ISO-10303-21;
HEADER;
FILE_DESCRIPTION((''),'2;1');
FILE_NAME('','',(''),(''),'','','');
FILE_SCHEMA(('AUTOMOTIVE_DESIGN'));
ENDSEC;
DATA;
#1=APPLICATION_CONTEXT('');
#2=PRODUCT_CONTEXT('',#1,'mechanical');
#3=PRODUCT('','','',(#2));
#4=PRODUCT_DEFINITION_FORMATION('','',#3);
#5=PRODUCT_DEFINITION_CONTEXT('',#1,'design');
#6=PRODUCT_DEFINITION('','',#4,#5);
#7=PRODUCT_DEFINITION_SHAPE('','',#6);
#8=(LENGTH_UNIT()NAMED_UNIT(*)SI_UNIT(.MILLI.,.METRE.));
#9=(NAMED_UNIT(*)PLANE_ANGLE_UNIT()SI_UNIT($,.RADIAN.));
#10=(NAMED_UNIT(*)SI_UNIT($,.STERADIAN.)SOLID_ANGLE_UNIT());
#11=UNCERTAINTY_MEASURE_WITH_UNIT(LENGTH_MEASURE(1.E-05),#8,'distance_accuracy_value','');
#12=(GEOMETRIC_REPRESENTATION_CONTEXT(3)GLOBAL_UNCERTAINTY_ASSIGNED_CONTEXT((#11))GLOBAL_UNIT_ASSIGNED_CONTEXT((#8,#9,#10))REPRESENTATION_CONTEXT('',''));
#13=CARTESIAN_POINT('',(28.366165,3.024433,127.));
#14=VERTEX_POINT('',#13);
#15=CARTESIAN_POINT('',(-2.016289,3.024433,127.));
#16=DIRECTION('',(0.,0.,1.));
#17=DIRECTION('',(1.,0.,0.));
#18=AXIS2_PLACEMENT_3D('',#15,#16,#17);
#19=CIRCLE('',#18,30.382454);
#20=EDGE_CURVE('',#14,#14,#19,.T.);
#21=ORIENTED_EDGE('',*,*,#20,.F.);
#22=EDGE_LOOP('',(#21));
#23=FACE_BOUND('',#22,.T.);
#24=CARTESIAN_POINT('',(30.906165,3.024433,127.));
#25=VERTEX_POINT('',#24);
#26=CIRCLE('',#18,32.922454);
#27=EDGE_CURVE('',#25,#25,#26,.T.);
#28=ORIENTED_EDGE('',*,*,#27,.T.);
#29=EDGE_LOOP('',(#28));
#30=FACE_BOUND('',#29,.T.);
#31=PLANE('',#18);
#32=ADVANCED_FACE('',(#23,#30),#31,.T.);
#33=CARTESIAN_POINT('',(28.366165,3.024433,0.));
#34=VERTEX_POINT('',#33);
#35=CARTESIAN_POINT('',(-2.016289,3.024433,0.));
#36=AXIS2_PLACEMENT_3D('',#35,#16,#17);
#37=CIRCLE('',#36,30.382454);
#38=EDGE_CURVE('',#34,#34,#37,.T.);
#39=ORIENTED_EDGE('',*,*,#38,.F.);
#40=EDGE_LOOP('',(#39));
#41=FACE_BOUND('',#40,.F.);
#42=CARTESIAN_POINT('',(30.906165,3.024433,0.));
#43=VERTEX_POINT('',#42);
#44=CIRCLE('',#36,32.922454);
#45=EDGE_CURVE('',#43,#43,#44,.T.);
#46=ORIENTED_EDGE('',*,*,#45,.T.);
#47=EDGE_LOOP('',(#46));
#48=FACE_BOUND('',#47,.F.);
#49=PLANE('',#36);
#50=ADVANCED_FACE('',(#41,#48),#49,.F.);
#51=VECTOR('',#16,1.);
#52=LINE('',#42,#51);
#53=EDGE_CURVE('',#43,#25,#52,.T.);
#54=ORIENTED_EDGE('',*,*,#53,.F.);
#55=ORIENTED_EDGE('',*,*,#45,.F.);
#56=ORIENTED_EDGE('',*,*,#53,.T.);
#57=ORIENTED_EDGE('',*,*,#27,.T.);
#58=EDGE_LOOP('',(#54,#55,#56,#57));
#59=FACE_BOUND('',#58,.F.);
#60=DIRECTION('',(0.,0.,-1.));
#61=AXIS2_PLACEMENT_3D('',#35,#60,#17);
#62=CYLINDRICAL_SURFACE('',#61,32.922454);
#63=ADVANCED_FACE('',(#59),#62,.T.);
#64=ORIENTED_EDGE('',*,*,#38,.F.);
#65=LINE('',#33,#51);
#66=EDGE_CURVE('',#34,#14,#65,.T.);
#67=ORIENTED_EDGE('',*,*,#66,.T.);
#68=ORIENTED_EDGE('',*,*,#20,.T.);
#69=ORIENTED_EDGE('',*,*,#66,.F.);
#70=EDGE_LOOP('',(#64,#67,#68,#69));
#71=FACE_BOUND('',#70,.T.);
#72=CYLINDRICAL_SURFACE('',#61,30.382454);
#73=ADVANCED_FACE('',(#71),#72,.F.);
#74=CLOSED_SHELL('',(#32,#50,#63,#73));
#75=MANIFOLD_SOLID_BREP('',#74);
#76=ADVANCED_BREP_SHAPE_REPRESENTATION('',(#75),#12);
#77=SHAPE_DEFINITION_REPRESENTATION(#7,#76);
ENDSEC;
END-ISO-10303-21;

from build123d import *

# Parameters (mm, degrees)
F0_R     = 32.922454
F1_DEPTH = 127
F2_T     = -2.54


with BuildPart() as f1:
    # F0 (on Top) → F1 (new body)
    with BuildSketch(Plane.XY):
        with Locations((-2.016289, 3.024433)):
            Circle(F0_R)
    extrude(amount=F1_DEPTH)

    # F2
    f2_openings = [f1.faces().sort_by_distance(p)[0] for p in [
        (-2.016289, 3.024433, 127),
        (-2.016289, 3.024433, 0),
    ]]
    offset(amount=F2_T, openings=f2_openings)


solid = f1.part
